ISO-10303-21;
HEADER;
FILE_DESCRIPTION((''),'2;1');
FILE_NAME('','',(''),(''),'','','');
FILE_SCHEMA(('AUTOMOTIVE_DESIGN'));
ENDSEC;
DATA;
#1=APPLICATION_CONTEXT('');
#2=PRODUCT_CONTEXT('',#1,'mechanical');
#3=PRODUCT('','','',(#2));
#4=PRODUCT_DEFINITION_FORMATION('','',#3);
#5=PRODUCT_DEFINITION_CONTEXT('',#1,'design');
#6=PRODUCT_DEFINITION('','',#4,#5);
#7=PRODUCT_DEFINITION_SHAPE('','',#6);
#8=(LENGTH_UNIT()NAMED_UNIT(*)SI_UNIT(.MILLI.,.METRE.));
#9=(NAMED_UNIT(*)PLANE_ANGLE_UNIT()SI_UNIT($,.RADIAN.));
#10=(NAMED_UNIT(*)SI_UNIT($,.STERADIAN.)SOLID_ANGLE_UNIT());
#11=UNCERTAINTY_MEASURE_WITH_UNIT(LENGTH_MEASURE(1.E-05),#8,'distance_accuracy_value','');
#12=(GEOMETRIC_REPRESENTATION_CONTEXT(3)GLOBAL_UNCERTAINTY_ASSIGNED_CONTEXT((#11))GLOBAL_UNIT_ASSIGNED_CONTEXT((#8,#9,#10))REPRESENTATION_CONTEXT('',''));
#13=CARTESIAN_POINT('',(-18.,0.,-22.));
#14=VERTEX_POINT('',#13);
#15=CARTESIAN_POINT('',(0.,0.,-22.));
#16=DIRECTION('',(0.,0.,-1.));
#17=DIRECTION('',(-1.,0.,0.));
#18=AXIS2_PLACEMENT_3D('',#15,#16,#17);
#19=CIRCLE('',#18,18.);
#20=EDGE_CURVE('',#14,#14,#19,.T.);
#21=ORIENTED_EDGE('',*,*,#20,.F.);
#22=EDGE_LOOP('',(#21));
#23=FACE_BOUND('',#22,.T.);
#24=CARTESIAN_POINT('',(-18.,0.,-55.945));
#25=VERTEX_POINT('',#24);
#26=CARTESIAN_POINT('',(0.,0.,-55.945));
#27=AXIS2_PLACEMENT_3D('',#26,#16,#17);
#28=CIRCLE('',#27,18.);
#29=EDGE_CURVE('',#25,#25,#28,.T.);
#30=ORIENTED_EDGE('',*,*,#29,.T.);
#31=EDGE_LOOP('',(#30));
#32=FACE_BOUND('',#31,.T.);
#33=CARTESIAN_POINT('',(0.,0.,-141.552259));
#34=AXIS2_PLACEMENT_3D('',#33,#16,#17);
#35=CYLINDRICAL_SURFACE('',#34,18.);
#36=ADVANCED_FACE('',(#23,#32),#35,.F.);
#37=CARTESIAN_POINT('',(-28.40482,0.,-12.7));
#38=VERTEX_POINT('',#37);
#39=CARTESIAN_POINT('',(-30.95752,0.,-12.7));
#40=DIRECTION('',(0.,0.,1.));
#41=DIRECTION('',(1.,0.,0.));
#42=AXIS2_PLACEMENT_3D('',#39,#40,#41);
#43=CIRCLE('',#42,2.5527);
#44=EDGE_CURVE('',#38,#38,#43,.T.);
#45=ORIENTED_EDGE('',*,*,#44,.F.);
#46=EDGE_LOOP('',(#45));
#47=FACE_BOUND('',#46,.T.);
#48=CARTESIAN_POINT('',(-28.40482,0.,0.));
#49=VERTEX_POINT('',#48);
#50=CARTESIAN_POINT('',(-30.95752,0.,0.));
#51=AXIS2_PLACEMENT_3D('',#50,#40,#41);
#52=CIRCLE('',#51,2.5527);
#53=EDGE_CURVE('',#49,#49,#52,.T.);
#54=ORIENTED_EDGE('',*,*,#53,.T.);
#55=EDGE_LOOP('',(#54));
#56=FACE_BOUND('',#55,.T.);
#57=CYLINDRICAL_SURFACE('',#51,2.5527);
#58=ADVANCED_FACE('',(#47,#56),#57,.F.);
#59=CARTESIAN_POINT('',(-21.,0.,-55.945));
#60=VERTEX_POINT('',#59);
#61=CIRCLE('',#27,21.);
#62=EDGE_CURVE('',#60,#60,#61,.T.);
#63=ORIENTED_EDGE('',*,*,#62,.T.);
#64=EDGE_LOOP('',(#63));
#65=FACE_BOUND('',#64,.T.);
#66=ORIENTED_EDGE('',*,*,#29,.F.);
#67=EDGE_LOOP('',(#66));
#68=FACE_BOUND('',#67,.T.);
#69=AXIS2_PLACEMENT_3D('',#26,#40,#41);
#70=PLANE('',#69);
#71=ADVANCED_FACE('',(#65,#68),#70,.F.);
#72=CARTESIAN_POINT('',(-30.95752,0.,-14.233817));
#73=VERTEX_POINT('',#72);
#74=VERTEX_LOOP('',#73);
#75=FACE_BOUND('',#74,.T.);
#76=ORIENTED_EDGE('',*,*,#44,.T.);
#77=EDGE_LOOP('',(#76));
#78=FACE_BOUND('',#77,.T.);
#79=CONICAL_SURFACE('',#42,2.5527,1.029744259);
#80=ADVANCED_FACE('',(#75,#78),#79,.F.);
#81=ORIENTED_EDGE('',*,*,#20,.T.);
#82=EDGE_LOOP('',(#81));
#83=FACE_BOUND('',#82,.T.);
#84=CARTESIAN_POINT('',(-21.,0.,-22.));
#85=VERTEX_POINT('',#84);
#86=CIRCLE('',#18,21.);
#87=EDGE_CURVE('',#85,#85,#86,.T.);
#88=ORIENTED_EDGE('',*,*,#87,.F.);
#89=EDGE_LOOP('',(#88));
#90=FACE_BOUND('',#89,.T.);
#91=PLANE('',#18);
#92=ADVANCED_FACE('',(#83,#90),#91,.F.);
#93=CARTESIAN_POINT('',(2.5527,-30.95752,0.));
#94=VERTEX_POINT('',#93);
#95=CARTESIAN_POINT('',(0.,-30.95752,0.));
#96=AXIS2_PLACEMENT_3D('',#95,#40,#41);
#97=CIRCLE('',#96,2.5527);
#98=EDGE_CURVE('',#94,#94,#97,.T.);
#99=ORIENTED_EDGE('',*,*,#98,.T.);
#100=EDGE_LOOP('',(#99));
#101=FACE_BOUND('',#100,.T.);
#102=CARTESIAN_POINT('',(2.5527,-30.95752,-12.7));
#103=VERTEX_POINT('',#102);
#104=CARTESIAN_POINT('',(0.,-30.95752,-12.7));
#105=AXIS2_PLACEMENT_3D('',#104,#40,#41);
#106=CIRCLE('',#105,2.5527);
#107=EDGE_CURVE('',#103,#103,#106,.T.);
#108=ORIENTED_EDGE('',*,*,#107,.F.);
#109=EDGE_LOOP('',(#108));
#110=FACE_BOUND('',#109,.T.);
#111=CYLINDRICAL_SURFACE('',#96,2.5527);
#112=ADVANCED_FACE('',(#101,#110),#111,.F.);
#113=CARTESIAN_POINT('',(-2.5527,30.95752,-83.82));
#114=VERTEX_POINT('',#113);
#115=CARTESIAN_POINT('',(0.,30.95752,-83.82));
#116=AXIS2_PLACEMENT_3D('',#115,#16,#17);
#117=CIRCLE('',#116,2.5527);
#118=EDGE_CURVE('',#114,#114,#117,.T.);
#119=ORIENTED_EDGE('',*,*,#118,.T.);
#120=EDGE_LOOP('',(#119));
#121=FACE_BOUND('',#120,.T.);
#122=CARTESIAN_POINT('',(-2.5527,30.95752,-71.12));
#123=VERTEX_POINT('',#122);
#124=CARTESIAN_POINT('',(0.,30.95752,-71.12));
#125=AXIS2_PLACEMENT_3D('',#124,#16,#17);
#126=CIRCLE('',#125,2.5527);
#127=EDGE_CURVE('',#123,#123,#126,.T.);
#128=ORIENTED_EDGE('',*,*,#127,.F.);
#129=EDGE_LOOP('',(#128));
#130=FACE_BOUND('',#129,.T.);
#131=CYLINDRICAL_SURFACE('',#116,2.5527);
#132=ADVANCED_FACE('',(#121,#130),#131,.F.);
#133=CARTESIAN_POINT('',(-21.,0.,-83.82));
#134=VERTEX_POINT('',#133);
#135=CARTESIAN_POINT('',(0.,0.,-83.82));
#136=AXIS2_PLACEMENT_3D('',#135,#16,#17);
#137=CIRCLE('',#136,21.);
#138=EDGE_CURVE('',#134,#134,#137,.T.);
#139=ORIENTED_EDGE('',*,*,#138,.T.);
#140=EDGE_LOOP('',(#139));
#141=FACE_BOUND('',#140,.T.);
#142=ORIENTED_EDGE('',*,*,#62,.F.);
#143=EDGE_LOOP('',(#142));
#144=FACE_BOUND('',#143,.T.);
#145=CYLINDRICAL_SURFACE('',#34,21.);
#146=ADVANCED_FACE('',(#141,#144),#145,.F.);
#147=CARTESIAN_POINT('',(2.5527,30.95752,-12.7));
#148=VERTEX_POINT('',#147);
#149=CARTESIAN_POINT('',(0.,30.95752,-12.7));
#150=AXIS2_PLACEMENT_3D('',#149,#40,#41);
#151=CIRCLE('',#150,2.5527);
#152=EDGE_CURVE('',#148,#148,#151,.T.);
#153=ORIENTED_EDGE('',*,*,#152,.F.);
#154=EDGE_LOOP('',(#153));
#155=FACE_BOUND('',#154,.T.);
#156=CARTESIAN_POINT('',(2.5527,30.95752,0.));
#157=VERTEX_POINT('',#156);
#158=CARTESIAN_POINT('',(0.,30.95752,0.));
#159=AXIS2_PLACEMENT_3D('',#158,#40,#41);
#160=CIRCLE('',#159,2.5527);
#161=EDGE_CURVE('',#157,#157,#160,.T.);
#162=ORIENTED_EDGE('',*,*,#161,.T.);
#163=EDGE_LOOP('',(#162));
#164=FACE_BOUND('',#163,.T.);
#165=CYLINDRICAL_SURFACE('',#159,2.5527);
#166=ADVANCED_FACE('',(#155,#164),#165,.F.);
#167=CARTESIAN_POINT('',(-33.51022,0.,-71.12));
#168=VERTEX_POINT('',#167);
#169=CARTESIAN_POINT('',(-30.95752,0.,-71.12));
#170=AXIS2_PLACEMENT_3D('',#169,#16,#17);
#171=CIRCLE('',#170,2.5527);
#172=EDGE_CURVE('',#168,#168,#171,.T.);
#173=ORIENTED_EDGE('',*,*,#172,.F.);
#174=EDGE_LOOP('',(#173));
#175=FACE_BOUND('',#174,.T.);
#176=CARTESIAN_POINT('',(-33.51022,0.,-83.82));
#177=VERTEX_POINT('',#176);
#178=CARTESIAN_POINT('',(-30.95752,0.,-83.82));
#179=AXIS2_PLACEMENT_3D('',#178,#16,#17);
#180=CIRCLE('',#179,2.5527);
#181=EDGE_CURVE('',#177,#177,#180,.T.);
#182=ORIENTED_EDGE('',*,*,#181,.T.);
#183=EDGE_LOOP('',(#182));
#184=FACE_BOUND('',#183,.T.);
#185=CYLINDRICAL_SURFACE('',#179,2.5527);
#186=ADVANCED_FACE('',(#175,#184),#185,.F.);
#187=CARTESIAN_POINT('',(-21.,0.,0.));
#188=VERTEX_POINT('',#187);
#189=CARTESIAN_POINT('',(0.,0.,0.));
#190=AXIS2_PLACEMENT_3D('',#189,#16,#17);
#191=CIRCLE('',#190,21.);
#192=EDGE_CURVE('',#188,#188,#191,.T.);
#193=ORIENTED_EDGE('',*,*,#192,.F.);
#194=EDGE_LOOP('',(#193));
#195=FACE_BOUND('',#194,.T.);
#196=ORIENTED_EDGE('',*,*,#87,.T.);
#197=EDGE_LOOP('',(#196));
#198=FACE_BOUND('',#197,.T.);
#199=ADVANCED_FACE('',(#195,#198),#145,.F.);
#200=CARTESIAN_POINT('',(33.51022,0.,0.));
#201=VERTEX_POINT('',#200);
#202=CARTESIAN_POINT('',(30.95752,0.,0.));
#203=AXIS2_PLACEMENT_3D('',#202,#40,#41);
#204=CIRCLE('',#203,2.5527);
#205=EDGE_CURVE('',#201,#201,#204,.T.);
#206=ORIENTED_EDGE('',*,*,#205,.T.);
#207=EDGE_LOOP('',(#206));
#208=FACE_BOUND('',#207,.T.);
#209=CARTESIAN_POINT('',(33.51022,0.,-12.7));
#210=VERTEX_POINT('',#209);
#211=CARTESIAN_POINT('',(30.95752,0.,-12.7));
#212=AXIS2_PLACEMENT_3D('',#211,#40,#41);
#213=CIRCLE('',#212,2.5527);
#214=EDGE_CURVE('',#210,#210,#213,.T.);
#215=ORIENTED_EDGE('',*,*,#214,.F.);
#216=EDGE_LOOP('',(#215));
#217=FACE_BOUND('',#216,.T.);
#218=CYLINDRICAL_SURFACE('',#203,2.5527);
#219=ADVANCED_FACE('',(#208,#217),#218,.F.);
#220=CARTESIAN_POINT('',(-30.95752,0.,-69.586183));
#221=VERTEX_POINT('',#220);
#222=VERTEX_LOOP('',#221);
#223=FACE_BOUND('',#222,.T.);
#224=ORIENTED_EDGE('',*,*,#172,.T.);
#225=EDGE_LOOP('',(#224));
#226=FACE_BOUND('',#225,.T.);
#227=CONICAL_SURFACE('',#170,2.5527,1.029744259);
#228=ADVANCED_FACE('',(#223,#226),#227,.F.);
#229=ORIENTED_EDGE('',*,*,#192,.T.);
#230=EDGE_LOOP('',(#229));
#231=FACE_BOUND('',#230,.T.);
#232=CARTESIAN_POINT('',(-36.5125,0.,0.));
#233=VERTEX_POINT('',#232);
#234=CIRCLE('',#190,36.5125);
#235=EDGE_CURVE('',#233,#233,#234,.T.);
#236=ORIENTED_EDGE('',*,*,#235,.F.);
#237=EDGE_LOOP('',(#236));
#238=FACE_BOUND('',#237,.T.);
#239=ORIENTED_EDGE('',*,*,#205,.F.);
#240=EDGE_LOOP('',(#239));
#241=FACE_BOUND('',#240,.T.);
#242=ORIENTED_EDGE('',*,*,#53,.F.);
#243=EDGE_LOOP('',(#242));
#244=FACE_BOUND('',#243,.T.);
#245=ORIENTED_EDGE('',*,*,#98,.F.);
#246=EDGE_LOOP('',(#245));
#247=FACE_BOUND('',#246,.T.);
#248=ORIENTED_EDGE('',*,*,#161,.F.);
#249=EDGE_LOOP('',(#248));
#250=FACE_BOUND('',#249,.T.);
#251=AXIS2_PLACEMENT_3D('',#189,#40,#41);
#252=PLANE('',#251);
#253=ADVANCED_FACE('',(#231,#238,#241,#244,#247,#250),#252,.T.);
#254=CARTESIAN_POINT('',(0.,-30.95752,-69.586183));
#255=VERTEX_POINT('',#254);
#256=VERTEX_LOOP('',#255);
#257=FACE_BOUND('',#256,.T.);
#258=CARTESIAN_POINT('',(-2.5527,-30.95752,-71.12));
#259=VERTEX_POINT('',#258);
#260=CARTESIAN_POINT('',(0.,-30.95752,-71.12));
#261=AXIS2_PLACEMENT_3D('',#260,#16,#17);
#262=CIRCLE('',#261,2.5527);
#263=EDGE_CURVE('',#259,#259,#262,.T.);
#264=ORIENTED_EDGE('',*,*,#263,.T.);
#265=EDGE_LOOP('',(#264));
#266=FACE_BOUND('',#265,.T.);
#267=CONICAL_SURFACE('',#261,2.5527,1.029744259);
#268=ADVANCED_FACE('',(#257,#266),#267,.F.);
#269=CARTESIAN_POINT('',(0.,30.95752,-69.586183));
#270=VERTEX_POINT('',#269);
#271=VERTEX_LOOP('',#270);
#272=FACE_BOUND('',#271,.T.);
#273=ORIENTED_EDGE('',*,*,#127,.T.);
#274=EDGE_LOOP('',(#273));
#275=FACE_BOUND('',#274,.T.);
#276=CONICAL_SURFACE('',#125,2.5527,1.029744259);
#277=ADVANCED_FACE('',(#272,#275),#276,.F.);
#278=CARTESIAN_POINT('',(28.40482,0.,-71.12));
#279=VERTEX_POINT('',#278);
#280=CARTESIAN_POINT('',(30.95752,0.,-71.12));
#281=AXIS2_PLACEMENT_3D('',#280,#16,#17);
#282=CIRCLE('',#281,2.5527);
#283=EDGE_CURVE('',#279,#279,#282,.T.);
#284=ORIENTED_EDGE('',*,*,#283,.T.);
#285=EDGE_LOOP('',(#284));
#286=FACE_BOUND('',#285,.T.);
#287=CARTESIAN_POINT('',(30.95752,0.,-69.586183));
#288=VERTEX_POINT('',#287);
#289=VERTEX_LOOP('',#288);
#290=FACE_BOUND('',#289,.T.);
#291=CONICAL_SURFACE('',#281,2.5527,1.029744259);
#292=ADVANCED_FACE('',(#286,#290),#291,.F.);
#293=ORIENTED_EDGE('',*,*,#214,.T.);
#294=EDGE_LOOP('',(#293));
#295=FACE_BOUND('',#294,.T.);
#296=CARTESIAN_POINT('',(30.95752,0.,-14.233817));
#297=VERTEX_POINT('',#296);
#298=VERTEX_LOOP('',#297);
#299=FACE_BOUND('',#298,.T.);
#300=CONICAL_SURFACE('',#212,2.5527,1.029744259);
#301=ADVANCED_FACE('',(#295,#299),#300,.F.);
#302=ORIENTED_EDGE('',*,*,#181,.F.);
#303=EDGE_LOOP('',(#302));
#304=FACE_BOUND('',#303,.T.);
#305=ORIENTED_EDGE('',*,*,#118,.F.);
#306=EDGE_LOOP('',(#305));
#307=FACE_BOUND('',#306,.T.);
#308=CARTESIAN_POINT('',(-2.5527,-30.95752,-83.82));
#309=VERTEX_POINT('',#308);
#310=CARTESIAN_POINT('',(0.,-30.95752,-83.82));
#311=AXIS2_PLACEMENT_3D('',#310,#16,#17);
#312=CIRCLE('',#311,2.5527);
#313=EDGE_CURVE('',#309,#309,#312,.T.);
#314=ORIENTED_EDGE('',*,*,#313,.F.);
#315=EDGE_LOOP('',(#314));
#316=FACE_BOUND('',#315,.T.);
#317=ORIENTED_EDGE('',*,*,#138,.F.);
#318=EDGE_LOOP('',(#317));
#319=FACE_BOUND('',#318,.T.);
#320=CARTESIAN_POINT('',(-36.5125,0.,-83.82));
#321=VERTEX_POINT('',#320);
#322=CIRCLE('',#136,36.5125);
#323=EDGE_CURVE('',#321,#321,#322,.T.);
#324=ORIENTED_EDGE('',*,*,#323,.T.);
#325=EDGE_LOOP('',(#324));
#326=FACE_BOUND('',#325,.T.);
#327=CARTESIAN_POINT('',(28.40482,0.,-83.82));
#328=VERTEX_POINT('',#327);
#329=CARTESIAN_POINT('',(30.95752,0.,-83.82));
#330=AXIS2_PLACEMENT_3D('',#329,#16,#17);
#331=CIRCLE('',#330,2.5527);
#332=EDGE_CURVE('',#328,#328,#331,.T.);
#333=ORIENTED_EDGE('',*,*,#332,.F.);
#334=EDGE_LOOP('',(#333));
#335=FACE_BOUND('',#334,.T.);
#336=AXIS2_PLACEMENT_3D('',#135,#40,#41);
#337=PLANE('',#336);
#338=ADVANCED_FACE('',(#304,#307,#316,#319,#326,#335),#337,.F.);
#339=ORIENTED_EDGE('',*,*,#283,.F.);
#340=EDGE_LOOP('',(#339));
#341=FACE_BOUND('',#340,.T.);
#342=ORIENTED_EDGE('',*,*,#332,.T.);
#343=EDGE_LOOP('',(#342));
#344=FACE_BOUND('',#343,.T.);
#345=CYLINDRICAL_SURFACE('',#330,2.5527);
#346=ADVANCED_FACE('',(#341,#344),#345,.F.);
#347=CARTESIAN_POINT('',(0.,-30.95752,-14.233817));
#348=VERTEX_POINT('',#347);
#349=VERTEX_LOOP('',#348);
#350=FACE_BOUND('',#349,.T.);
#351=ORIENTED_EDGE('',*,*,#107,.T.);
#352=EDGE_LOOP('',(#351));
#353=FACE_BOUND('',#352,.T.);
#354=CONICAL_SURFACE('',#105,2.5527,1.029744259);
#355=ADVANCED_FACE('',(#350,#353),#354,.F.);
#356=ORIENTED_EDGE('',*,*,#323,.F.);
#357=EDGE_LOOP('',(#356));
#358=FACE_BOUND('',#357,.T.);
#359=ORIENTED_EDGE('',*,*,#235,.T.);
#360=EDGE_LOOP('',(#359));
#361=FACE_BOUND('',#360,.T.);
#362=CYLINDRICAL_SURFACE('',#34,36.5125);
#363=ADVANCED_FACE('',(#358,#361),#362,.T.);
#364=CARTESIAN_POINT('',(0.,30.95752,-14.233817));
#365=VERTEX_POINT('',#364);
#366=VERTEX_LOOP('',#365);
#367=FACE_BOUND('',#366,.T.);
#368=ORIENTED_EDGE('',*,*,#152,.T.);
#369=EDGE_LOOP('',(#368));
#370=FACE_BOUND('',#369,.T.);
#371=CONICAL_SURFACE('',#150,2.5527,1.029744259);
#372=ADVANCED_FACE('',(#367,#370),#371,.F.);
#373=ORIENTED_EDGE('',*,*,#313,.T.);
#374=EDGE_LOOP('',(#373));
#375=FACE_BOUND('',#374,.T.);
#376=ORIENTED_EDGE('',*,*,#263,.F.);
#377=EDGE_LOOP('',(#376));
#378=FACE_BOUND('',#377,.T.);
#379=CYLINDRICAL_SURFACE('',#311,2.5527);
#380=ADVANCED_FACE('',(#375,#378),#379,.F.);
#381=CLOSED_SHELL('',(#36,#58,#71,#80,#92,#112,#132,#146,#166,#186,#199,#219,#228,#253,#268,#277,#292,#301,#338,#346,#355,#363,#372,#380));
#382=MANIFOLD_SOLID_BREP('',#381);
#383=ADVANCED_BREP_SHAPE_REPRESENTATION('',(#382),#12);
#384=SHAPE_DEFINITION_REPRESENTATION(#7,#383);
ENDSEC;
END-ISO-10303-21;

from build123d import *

# Parameters (mm, degrees)
TAP_DRILL_FOR_1_4_20_TAP2_AT_2_COUNT = 2
TAP_DRILL_FOR_1_4_20_TAP2_AT_2_PITCH = 43.780544641
TAP_DRILL_FOR_1_4_20_TAP2_AT_3_COUNT = 2
TAP_DRILL_FOR_1_4_20_TAP2_AT_3_PITCH = 61.91504
TAP_DRILL_FOR_1_4_20_TAP2_AT_4_COUNT = 2
TAP_DRILL_FOR_1_4_20_TAP2_AT_4_PITCH = 43.780544641


with BuildPart() as part:
    # Housing Sketch → Housing Revolve (revolve)
    with BuildSketch(Plane(origin=(0, 0, 0), x_dir=(0, 0, -1), z_dir=(1, 0, 0)), mode=Mode.PRIVATE) as housing_revolve_sk:
        Polygon((83.82, 36.5125), (0, 36.5125), (0, 21), (22, 21), (22, 18), (55.945, 18), (55.945, 21), (83.82, 21), align=None)
    revolve(housing_revolve_sk.sketch.rotate(Axis((0, 0, -141.5522592), (0, 0, 1)), 90), axis=Axis((0, 0, -141.5522592), (0, 0, 1)))

    # Sketch8 → Tap Drill for 1/4-20 Tap2 (revolve, cut)
    with BuildSketch(Plane(origin=(0, 30.95752, 0), x_dir=(0, -1, 0), z_dir=(1, 0, 0))):
        Polygon((0, 0), (0, 14.233816902), (2.5527, 12.7), (2.5527, 0), align=None)
    tap_drill_for_1_4_20_tap2 = revolve(axis=Axis((0, 30.95752, 6.35), (0, 0, -1)), mode=Mode.SUBTRACT)

    # Tap Drill for 1/4-20 Tap2 at 2: Tap Drill for 1/4-20 Tap2 ×2
    with Locations(*[Vector(0.7071067811865476, -0.7071067811865476, 0) * (i * TAP_DRILL_FOR_1_4_20_TAP2_AT_2_PITCH) for i in range(1, TAP_DRILL_FOR_1_4_20_TAP2_AT_2_COUNT)]):
        add(tap_drill_for_1_4_20_tap2, mode=Mode.SUBTRACT)

    # Tap Drill for 1/4-20 Tap2 at 3: Tap Drill for 1/4-20 Tap2 ×2
    with Locations(*[(0, -i * TAP_DRILL_FOR_1_4_20_TAP2_AT_3_PITCH, 0) for i in range(1, TAP_DRILL_FOR_1_4_20_TAP2_AT_3_COUNT)]):
        add(tap_drill_for_1_4_20_tap2, mode=Mode.SUBTRACT)

    # Tap Drill for 1/4-20 Tap2 at 4: Tap Drill for 1/4-20 Tap2 ×2
    with Locations(*[Vector(-0.7071067811865476, -0.7071067811865476, 0) * (i * TAP_DRILL_FOR_1_4_20_TAP2_AT_4_PITCH) for i in range(1, TAP_DRILL_FOR_1_4_20_TAP2_AT_4_COUNT)]):
        add(tap_drill_for_1_4_20_tap2, mode=Mode.SUBTRACT)

    # Mirror1: Tap Drill for 1/4-20 Tap2 across plane
    add(tap_drill_for_1_4_20_tap2.mirror(Plane(origin=(0, 0, -41.91), x_dir=(1, 0, 0), z_dir=(0, 0, -1))), mode=Mode.SUBTRACT)

    # Mirror1 copy 1 sketch → Mirror1 copy 1 (revolve, cut)
    with BuildSketch(Plane(origin=(30.95752, 0, -83.82), x_dir=(0, -1, 0), z_dir=(1, 0, 0))):
        Polygon((0, 0), (0, -14.233816902), (2.5527, -12.7), (2.5527, 0), align=None)
    revolve(axis=Axis((30.95752, 0, -90.17), (0, 0, -1)), mode=Mode.SUBTRACT)

    # Mirror1 copy 2 sketch → Mirror1 copy 2 (revolve, cut)
    with BuildSketch(Plane(origin=(0, -30.95752, -83.82), x_dir=(0, -1, 0), z_dir=(1, 0, 0))):
        Polygon((0, 0), (0, -14.233816902), (2.5527, -12.7), (2.5527, 0), align=None)
    revolve(axis=Axis((0, -30.95752, -90.17), (0, 0, -1)), mode=Mode.SUBTRACT)

    # Mirror1 copy 3 sketch → Mirror1 copy 3 (revolve, cut)
    with BuildSketch(Plane(origin=(-30.95752, 0, -83.82), x_dir=(0, -1, 0), z_dir=(1, 0, 0))):
        Polygon((0, 0), (0, -14.233816902), (2.5527, -12.7), (2.5527, 0), align=None)
    revolve(axis=Axis((-30.95752, 0, -90.17), (0, 0, -1)), mode=Mode.SUBTRACT)


solid = part.part
